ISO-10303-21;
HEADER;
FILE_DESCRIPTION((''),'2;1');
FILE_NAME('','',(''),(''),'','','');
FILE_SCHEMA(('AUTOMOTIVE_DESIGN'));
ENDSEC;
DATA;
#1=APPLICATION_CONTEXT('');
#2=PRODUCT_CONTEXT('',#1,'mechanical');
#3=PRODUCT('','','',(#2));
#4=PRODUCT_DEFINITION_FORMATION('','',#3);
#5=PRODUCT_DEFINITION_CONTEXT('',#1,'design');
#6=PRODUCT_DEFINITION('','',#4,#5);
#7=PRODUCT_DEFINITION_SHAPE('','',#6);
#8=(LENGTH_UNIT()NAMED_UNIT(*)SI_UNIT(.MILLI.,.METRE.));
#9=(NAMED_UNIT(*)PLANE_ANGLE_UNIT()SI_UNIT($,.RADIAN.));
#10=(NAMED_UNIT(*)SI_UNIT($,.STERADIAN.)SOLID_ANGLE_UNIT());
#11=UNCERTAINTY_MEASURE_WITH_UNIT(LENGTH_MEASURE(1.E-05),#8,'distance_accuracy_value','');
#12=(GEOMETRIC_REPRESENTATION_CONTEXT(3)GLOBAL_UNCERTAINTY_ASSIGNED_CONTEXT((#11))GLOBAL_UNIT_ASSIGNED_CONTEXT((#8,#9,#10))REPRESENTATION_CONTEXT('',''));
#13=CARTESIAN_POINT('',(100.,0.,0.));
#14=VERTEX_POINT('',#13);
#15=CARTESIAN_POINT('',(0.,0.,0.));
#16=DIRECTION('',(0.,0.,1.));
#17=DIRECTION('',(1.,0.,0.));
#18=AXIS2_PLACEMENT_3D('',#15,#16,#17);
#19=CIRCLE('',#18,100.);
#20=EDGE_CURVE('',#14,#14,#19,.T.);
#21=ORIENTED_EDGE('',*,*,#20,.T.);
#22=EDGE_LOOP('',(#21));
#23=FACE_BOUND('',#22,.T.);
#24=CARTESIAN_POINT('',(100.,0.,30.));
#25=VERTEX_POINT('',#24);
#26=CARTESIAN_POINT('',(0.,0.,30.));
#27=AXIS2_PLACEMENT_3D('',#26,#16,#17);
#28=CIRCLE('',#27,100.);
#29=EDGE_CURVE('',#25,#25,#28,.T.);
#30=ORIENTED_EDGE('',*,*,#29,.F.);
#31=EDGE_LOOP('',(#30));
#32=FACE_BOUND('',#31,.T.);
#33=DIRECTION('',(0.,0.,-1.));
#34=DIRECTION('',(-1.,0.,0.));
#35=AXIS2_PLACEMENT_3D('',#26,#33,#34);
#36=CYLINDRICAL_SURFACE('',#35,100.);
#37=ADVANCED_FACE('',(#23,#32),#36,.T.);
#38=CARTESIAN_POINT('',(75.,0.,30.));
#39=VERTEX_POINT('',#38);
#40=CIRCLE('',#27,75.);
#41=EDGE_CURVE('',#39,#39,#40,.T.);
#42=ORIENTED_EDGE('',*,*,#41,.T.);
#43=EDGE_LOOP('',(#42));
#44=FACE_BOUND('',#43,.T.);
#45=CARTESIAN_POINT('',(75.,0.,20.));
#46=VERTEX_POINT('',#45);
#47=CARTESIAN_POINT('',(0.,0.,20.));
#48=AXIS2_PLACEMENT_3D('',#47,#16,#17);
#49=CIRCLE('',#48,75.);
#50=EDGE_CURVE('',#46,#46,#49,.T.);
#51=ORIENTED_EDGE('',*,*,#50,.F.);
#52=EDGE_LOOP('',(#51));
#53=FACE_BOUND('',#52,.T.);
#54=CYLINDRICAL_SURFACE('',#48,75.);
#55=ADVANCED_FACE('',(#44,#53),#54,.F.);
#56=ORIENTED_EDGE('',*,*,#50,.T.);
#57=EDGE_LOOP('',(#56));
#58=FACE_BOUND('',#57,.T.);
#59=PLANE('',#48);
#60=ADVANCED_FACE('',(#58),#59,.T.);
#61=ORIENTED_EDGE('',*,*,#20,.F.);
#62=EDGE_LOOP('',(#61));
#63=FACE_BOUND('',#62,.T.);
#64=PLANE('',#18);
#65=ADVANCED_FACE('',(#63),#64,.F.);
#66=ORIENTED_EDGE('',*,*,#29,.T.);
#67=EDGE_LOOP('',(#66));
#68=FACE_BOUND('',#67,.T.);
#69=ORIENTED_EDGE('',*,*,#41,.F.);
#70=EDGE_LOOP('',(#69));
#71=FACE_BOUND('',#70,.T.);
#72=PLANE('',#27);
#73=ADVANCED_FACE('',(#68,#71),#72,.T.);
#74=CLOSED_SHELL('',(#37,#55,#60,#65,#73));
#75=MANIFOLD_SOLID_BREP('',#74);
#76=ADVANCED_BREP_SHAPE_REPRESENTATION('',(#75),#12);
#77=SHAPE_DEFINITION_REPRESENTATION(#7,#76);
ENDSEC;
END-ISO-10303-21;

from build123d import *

# Parameters (mm, degrees)
SKETCH1_R           = 100
BOSS_EXTRUDE1_DEPTH = 30
SKETCH2_R           = 75
CUT_EXTRUDE1_DEPTH  = 10


with BuildPart() as part:
    # Sketch1 → Boss-Extrude1 (new body)
    with BuildSketch(Plane.XY):
        Circle(SKETCH1_R)
    extrude(amount=BOSS_EXTRUDE1_DEPTH)

    # Sketch2 → Cut-Extrude1 (cut)
    with BuildSketch(Plane.XY.offset(30)):
        Circle(SKETCH2_R)
    extrude(amount=-CUT_EXTRUDE1_DEPTH, mode=Mode.SUBTRACT)


solid = part.part
